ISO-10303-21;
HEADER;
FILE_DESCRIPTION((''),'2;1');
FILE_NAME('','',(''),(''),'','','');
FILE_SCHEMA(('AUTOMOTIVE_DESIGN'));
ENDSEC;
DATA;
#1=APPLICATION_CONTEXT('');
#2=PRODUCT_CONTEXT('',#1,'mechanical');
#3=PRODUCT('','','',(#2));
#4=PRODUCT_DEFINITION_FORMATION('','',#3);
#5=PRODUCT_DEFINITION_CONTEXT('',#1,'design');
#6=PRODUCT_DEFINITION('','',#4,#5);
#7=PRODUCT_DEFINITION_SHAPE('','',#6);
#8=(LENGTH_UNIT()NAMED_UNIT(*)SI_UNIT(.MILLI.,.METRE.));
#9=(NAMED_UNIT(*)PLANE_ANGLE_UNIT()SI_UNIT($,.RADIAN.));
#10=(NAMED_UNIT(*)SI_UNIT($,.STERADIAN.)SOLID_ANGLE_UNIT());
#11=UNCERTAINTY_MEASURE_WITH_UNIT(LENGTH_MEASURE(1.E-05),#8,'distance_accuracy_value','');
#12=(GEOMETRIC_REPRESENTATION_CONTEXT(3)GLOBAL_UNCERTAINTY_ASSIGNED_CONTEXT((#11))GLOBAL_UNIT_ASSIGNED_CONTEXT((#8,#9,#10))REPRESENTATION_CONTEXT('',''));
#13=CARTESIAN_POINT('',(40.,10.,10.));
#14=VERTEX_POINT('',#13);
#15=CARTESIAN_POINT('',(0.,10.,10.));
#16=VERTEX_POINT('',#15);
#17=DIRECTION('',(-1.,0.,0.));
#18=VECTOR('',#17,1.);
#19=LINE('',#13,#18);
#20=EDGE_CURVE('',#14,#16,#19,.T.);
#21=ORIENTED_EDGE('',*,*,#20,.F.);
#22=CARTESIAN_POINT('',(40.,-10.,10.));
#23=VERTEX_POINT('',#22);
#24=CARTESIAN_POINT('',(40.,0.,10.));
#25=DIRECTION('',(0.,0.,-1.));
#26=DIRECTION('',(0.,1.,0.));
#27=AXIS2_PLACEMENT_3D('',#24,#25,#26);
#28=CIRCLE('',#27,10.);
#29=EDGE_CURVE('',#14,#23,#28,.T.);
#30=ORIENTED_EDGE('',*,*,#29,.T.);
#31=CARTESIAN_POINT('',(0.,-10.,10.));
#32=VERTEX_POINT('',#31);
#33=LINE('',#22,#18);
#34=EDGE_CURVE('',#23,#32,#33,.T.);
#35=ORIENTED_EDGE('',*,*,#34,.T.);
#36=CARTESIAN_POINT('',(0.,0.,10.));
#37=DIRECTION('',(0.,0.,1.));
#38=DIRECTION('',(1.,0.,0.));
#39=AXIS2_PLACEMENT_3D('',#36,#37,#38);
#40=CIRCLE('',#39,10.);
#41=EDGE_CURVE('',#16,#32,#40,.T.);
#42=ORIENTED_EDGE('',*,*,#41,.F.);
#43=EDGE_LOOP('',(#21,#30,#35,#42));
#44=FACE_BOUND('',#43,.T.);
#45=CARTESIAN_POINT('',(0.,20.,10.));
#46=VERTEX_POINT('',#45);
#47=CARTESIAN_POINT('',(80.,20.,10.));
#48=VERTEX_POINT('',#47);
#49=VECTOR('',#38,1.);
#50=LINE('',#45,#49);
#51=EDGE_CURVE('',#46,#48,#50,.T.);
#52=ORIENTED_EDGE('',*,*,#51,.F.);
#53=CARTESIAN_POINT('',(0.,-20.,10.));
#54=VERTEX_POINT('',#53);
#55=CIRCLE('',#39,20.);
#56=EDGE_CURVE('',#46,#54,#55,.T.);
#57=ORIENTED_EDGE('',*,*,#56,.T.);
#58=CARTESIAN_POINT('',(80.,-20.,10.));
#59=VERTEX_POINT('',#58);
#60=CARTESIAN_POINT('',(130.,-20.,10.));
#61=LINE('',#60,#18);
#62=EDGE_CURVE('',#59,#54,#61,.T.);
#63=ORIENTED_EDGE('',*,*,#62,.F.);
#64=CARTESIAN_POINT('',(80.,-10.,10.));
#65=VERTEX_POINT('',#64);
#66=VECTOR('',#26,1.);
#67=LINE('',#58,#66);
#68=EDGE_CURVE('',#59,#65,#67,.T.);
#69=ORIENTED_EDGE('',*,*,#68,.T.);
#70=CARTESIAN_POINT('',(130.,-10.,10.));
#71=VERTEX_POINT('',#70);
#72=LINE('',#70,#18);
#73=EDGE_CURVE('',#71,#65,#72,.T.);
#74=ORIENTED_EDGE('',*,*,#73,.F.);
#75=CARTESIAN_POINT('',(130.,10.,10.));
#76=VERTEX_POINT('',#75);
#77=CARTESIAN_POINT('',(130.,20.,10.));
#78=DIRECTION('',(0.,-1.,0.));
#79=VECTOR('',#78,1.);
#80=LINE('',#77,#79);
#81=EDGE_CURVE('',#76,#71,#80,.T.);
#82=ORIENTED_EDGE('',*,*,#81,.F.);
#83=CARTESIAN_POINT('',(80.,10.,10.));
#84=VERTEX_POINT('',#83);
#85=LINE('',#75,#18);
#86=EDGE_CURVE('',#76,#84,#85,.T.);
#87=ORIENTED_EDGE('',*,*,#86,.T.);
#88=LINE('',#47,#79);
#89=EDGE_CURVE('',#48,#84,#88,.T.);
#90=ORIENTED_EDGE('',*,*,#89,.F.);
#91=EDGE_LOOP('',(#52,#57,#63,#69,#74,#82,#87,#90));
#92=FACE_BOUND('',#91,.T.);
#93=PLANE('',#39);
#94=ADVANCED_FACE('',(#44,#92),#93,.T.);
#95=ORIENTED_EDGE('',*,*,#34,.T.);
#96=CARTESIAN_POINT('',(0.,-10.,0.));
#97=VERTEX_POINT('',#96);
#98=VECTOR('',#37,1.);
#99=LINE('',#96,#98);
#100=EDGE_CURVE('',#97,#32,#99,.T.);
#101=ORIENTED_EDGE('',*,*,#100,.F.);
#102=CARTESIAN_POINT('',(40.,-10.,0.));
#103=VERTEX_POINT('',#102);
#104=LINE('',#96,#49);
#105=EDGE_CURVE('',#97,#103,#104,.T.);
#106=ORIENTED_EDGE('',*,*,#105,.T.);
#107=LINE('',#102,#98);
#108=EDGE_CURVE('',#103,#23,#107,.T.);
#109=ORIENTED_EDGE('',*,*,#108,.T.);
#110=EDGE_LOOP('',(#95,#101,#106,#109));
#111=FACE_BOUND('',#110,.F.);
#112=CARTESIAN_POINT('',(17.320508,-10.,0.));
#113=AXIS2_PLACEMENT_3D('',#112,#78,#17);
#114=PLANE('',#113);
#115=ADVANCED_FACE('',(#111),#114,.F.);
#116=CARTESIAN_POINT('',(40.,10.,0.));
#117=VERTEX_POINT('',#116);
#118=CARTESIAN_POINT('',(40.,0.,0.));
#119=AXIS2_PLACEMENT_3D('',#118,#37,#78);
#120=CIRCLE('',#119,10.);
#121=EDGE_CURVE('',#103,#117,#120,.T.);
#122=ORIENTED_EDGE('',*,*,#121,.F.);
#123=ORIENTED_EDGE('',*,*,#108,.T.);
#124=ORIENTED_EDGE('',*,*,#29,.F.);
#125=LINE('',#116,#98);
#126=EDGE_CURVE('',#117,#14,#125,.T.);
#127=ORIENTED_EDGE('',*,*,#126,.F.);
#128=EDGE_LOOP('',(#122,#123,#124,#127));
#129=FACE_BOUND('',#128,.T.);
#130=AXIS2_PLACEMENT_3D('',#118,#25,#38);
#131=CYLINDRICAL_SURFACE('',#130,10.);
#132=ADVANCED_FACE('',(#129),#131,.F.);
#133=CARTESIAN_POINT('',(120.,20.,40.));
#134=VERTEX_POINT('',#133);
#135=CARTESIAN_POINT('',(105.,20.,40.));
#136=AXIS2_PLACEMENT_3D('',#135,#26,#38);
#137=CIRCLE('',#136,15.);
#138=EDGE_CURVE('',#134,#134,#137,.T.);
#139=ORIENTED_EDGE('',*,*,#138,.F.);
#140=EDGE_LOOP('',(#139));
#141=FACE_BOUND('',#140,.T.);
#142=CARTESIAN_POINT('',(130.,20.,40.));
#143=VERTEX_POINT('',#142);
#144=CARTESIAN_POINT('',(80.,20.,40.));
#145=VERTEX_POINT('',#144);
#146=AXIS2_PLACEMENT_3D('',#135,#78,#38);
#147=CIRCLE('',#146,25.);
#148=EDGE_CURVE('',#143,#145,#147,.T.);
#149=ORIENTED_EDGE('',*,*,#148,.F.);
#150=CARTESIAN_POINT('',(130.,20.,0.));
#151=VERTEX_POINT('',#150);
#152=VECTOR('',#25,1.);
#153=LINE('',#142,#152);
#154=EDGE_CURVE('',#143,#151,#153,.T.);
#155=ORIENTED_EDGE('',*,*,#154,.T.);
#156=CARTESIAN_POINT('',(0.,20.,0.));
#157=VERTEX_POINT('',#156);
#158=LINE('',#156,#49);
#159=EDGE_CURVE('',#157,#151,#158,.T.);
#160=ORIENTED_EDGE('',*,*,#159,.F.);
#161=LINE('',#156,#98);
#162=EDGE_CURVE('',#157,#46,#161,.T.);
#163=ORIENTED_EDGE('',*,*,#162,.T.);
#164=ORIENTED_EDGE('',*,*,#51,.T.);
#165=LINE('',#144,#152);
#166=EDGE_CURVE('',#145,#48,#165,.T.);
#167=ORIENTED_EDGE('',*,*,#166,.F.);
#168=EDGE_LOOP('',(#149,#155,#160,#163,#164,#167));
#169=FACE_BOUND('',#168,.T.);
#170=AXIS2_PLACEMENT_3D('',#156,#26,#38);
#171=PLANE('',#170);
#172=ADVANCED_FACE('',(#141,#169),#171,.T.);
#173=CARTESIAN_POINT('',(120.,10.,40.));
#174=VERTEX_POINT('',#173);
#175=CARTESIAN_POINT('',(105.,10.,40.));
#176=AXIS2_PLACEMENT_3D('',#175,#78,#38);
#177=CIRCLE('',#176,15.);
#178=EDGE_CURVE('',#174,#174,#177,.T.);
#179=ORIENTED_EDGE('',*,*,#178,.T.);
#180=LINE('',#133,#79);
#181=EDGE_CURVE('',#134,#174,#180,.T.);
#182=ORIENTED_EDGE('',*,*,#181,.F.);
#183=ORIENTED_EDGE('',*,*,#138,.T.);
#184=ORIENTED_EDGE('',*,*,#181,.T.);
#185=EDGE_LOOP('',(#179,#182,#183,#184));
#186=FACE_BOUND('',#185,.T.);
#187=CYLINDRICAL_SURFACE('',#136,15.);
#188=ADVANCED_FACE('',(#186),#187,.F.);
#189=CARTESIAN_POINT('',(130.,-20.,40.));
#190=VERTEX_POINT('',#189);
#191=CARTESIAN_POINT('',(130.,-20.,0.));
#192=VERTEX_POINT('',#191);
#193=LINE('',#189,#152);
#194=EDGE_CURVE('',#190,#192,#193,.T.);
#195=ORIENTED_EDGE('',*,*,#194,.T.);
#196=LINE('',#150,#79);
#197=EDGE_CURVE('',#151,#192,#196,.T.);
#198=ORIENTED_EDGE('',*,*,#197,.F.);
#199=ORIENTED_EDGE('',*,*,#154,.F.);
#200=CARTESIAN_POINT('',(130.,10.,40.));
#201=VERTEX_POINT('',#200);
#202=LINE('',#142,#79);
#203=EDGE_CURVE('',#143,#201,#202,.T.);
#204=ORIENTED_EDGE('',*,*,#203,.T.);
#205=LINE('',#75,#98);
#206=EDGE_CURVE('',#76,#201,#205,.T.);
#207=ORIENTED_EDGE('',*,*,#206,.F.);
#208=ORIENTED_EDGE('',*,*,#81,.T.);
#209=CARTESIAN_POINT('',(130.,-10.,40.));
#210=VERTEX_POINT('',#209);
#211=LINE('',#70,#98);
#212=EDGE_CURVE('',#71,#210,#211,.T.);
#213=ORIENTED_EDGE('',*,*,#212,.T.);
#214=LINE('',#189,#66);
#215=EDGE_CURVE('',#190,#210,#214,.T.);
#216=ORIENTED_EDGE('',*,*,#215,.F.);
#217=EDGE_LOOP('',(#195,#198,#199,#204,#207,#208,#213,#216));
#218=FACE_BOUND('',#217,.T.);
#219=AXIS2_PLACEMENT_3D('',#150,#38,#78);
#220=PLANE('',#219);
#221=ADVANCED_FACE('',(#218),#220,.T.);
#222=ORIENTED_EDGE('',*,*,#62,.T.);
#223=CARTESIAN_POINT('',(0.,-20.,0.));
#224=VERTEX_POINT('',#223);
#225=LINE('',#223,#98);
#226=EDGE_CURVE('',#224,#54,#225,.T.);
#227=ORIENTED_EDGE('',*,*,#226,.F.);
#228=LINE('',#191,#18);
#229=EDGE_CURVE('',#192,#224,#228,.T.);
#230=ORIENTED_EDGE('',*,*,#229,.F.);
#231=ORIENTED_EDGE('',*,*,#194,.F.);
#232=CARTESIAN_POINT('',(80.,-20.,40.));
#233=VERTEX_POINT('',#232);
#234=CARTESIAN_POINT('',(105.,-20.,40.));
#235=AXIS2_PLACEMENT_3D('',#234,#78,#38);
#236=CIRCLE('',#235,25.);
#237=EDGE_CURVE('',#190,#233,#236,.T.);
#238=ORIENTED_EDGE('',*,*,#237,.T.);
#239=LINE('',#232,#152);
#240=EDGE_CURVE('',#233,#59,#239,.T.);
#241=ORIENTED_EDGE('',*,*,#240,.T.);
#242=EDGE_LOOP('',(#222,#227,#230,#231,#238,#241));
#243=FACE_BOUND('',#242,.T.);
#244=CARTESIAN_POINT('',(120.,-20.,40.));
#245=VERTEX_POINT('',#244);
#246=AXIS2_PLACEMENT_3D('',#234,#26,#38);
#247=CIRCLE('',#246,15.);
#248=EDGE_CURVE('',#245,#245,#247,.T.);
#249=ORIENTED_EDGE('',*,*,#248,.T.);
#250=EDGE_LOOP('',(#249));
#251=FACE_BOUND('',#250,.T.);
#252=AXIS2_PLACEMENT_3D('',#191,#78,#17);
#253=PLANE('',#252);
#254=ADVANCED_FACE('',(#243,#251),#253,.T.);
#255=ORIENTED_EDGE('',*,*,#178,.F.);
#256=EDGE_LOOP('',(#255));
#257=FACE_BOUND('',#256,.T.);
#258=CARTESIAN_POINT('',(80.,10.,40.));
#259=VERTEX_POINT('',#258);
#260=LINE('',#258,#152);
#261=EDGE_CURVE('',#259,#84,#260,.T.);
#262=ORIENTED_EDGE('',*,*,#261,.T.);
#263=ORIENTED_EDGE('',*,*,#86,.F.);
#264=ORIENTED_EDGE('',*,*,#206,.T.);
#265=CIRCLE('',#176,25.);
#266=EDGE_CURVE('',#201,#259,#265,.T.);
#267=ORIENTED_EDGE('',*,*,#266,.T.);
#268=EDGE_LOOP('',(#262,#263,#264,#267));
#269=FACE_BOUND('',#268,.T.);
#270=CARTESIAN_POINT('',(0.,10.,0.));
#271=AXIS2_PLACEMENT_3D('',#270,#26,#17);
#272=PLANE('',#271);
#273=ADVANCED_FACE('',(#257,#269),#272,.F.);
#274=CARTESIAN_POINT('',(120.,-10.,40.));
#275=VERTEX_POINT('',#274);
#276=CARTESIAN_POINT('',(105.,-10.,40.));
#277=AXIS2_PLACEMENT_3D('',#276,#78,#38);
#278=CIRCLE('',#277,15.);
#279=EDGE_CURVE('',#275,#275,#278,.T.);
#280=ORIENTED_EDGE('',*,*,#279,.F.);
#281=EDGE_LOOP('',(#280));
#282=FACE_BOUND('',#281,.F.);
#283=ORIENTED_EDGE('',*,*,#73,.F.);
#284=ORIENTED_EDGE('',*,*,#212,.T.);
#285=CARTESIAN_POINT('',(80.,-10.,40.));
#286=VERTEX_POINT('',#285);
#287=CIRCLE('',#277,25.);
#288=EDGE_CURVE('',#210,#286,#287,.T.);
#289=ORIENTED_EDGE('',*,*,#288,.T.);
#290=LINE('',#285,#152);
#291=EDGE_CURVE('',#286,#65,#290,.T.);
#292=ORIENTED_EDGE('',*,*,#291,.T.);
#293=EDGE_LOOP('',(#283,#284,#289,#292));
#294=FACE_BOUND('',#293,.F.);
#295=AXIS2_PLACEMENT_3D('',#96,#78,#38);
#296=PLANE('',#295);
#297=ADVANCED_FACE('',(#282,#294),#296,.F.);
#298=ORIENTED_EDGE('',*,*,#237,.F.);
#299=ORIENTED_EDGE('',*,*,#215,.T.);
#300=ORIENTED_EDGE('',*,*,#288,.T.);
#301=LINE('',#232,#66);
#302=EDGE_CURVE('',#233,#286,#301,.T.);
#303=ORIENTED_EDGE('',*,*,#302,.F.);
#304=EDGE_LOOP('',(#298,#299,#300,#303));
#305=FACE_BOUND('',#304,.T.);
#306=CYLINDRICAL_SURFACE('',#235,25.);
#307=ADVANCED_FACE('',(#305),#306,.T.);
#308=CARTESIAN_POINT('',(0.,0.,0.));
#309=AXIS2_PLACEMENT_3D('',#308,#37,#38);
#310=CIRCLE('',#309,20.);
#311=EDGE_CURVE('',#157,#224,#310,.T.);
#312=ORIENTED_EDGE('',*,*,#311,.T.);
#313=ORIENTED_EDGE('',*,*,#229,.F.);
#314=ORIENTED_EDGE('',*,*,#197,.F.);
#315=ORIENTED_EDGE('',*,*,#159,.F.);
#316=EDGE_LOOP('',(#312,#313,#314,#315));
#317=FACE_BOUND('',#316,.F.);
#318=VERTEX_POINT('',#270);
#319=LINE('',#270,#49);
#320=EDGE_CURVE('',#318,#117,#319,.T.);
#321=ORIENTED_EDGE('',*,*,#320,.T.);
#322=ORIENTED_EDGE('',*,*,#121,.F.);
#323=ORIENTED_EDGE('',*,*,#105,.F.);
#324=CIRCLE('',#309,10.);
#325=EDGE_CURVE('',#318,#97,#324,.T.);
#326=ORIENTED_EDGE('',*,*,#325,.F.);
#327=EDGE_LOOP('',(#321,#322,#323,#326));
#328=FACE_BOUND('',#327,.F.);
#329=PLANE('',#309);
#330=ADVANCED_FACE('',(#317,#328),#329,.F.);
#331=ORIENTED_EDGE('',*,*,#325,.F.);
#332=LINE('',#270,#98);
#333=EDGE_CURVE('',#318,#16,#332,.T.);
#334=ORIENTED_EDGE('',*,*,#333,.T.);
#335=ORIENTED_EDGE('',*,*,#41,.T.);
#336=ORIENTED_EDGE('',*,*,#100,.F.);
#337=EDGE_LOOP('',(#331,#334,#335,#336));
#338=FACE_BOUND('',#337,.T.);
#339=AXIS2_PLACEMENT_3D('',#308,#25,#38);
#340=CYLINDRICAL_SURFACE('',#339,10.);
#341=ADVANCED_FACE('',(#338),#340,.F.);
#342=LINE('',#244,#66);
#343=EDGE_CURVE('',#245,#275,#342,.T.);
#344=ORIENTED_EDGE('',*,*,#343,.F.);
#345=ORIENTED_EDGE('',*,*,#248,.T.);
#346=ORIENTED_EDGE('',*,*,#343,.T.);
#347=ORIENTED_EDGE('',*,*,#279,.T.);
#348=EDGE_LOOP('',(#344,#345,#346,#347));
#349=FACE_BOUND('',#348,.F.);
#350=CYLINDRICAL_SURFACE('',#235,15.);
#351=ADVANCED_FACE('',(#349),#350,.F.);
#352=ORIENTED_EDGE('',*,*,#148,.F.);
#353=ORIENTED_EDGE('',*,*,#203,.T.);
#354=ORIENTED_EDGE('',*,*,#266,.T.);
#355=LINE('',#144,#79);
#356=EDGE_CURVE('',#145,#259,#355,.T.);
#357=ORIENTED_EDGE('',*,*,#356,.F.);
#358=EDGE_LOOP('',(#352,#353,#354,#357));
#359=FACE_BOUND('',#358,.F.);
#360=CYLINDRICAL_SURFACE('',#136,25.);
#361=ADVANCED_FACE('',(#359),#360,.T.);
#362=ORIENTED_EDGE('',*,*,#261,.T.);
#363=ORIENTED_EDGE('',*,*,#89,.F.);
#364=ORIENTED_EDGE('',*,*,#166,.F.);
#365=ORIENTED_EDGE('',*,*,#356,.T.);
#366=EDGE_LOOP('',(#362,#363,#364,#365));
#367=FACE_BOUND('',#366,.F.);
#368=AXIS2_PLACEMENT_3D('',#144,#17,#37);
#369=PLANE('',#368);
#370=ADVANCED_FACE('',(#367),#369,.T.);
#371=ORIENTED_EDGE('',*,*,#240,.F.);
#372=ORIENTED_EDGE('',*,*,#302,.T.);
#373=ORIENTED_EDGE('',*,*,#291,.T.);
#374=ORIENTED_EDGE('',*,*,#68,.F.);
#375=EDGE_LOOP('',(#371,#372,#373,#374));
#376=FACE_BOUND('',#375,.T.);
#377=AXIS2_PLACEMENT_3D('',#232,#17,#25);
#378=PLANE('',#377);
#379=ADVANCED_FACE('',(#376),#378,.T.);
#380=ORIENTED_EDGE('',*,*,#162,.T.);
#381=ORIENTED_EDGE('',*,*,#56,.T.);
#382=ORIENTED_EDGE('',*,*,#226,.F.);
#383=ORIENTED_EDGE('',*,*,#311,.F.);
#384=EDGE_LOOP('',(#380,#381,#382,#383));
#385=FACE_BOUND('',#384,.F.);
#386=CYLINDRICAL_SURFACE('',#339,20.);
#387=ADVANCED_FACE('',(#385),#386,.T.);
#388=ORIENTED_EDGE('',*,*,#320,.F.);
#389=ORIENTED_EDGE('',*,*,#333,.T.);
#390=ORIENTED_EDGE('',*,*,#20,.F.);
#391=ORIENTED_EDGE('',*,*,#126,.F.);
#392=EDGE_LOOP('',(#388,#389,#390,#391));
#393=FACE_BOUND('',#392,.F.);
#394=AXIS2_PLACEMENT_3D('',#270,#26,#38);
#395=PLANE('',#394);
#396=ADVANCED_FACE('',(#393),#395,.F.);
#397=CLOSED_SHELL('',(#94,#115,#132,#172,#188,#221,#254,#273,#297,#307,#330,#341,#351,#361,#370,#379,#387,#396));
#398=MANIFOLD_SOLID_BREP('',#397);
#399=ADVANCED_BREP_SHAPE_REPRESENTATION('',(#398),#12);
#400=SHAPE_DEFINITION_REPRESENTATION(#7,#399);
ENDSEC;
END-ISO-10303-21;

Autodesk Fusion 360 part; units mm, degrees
sketch "Sketch1" plane through (0, 0, 0) normal (0, 0, 1) x (1, 0, 0)
  circle A0 centre (0, 0) radius 20
  line L0 (0, 20) -> (130, 20)
  line L1 (130, 20) -> (130, -20)
  line L2 (130, -20) -> (0, -20)
  circle A1 centre (0, 0) radius 10
  line L3 (-33.7231, -17.2923) -> (-73.7231, -17.2923)
  line L4 (0, 0) -> (40, 0) construction
  circle A2 centre (40, 0) radius 10
  line L5 (0, 10) -> (40, 10)
  line L6 (40, -10) -> (0, -10)
  dimension "d1" = 40
  dimension "d2" = 130
  dimension "d3" = 40
  dimension "d4" = 20
  dimension "d6" = 40
extrude "Extrude1" add sketch "Sketch1" along normal blind 10 contours A0 A1 L5 L6 | A0 L0 L1 L2 A2 L5 L6 picked at (-10.5572, 12.8388)
sketch "Sketch2" plane through (0, -20, 0) normal (0, -1, 0) x (1, 0, 0)
  line L0 (0, 0) -> (130, 0)
  line L1 (130, 0) -> (130, 10)
  line L2 (130, 10) -> (0, 10)
  line L3 (0, 10) -> (0, 0)
  line L4 (80, 10) -> (130, 10)
  line L5 (130, 10) -> (130, 40)
  line L6 (130, 40) -> (80, 40)
  line L7 (80, 40) -> (80, 10)
  circle A0 centre (105, 40) radius 25
  circle A1 centre (105, 40) radius 15
  dimension "d9" = 30
  dimension "d10" = 50
  dimension "d11" = 30
extrude "Extrude2" add sketch "Sketch2" against normal blind 10 contours L2 L4 L5 L7 A0 | L6 A0 A1 | L6 A0 A1
mirror "Mirror1" about plane through (0, 0, 0) normal (0, 1, 0) of "Extrude2"
equation "d4 = ( 10 * 2 ) * 1 mm"
